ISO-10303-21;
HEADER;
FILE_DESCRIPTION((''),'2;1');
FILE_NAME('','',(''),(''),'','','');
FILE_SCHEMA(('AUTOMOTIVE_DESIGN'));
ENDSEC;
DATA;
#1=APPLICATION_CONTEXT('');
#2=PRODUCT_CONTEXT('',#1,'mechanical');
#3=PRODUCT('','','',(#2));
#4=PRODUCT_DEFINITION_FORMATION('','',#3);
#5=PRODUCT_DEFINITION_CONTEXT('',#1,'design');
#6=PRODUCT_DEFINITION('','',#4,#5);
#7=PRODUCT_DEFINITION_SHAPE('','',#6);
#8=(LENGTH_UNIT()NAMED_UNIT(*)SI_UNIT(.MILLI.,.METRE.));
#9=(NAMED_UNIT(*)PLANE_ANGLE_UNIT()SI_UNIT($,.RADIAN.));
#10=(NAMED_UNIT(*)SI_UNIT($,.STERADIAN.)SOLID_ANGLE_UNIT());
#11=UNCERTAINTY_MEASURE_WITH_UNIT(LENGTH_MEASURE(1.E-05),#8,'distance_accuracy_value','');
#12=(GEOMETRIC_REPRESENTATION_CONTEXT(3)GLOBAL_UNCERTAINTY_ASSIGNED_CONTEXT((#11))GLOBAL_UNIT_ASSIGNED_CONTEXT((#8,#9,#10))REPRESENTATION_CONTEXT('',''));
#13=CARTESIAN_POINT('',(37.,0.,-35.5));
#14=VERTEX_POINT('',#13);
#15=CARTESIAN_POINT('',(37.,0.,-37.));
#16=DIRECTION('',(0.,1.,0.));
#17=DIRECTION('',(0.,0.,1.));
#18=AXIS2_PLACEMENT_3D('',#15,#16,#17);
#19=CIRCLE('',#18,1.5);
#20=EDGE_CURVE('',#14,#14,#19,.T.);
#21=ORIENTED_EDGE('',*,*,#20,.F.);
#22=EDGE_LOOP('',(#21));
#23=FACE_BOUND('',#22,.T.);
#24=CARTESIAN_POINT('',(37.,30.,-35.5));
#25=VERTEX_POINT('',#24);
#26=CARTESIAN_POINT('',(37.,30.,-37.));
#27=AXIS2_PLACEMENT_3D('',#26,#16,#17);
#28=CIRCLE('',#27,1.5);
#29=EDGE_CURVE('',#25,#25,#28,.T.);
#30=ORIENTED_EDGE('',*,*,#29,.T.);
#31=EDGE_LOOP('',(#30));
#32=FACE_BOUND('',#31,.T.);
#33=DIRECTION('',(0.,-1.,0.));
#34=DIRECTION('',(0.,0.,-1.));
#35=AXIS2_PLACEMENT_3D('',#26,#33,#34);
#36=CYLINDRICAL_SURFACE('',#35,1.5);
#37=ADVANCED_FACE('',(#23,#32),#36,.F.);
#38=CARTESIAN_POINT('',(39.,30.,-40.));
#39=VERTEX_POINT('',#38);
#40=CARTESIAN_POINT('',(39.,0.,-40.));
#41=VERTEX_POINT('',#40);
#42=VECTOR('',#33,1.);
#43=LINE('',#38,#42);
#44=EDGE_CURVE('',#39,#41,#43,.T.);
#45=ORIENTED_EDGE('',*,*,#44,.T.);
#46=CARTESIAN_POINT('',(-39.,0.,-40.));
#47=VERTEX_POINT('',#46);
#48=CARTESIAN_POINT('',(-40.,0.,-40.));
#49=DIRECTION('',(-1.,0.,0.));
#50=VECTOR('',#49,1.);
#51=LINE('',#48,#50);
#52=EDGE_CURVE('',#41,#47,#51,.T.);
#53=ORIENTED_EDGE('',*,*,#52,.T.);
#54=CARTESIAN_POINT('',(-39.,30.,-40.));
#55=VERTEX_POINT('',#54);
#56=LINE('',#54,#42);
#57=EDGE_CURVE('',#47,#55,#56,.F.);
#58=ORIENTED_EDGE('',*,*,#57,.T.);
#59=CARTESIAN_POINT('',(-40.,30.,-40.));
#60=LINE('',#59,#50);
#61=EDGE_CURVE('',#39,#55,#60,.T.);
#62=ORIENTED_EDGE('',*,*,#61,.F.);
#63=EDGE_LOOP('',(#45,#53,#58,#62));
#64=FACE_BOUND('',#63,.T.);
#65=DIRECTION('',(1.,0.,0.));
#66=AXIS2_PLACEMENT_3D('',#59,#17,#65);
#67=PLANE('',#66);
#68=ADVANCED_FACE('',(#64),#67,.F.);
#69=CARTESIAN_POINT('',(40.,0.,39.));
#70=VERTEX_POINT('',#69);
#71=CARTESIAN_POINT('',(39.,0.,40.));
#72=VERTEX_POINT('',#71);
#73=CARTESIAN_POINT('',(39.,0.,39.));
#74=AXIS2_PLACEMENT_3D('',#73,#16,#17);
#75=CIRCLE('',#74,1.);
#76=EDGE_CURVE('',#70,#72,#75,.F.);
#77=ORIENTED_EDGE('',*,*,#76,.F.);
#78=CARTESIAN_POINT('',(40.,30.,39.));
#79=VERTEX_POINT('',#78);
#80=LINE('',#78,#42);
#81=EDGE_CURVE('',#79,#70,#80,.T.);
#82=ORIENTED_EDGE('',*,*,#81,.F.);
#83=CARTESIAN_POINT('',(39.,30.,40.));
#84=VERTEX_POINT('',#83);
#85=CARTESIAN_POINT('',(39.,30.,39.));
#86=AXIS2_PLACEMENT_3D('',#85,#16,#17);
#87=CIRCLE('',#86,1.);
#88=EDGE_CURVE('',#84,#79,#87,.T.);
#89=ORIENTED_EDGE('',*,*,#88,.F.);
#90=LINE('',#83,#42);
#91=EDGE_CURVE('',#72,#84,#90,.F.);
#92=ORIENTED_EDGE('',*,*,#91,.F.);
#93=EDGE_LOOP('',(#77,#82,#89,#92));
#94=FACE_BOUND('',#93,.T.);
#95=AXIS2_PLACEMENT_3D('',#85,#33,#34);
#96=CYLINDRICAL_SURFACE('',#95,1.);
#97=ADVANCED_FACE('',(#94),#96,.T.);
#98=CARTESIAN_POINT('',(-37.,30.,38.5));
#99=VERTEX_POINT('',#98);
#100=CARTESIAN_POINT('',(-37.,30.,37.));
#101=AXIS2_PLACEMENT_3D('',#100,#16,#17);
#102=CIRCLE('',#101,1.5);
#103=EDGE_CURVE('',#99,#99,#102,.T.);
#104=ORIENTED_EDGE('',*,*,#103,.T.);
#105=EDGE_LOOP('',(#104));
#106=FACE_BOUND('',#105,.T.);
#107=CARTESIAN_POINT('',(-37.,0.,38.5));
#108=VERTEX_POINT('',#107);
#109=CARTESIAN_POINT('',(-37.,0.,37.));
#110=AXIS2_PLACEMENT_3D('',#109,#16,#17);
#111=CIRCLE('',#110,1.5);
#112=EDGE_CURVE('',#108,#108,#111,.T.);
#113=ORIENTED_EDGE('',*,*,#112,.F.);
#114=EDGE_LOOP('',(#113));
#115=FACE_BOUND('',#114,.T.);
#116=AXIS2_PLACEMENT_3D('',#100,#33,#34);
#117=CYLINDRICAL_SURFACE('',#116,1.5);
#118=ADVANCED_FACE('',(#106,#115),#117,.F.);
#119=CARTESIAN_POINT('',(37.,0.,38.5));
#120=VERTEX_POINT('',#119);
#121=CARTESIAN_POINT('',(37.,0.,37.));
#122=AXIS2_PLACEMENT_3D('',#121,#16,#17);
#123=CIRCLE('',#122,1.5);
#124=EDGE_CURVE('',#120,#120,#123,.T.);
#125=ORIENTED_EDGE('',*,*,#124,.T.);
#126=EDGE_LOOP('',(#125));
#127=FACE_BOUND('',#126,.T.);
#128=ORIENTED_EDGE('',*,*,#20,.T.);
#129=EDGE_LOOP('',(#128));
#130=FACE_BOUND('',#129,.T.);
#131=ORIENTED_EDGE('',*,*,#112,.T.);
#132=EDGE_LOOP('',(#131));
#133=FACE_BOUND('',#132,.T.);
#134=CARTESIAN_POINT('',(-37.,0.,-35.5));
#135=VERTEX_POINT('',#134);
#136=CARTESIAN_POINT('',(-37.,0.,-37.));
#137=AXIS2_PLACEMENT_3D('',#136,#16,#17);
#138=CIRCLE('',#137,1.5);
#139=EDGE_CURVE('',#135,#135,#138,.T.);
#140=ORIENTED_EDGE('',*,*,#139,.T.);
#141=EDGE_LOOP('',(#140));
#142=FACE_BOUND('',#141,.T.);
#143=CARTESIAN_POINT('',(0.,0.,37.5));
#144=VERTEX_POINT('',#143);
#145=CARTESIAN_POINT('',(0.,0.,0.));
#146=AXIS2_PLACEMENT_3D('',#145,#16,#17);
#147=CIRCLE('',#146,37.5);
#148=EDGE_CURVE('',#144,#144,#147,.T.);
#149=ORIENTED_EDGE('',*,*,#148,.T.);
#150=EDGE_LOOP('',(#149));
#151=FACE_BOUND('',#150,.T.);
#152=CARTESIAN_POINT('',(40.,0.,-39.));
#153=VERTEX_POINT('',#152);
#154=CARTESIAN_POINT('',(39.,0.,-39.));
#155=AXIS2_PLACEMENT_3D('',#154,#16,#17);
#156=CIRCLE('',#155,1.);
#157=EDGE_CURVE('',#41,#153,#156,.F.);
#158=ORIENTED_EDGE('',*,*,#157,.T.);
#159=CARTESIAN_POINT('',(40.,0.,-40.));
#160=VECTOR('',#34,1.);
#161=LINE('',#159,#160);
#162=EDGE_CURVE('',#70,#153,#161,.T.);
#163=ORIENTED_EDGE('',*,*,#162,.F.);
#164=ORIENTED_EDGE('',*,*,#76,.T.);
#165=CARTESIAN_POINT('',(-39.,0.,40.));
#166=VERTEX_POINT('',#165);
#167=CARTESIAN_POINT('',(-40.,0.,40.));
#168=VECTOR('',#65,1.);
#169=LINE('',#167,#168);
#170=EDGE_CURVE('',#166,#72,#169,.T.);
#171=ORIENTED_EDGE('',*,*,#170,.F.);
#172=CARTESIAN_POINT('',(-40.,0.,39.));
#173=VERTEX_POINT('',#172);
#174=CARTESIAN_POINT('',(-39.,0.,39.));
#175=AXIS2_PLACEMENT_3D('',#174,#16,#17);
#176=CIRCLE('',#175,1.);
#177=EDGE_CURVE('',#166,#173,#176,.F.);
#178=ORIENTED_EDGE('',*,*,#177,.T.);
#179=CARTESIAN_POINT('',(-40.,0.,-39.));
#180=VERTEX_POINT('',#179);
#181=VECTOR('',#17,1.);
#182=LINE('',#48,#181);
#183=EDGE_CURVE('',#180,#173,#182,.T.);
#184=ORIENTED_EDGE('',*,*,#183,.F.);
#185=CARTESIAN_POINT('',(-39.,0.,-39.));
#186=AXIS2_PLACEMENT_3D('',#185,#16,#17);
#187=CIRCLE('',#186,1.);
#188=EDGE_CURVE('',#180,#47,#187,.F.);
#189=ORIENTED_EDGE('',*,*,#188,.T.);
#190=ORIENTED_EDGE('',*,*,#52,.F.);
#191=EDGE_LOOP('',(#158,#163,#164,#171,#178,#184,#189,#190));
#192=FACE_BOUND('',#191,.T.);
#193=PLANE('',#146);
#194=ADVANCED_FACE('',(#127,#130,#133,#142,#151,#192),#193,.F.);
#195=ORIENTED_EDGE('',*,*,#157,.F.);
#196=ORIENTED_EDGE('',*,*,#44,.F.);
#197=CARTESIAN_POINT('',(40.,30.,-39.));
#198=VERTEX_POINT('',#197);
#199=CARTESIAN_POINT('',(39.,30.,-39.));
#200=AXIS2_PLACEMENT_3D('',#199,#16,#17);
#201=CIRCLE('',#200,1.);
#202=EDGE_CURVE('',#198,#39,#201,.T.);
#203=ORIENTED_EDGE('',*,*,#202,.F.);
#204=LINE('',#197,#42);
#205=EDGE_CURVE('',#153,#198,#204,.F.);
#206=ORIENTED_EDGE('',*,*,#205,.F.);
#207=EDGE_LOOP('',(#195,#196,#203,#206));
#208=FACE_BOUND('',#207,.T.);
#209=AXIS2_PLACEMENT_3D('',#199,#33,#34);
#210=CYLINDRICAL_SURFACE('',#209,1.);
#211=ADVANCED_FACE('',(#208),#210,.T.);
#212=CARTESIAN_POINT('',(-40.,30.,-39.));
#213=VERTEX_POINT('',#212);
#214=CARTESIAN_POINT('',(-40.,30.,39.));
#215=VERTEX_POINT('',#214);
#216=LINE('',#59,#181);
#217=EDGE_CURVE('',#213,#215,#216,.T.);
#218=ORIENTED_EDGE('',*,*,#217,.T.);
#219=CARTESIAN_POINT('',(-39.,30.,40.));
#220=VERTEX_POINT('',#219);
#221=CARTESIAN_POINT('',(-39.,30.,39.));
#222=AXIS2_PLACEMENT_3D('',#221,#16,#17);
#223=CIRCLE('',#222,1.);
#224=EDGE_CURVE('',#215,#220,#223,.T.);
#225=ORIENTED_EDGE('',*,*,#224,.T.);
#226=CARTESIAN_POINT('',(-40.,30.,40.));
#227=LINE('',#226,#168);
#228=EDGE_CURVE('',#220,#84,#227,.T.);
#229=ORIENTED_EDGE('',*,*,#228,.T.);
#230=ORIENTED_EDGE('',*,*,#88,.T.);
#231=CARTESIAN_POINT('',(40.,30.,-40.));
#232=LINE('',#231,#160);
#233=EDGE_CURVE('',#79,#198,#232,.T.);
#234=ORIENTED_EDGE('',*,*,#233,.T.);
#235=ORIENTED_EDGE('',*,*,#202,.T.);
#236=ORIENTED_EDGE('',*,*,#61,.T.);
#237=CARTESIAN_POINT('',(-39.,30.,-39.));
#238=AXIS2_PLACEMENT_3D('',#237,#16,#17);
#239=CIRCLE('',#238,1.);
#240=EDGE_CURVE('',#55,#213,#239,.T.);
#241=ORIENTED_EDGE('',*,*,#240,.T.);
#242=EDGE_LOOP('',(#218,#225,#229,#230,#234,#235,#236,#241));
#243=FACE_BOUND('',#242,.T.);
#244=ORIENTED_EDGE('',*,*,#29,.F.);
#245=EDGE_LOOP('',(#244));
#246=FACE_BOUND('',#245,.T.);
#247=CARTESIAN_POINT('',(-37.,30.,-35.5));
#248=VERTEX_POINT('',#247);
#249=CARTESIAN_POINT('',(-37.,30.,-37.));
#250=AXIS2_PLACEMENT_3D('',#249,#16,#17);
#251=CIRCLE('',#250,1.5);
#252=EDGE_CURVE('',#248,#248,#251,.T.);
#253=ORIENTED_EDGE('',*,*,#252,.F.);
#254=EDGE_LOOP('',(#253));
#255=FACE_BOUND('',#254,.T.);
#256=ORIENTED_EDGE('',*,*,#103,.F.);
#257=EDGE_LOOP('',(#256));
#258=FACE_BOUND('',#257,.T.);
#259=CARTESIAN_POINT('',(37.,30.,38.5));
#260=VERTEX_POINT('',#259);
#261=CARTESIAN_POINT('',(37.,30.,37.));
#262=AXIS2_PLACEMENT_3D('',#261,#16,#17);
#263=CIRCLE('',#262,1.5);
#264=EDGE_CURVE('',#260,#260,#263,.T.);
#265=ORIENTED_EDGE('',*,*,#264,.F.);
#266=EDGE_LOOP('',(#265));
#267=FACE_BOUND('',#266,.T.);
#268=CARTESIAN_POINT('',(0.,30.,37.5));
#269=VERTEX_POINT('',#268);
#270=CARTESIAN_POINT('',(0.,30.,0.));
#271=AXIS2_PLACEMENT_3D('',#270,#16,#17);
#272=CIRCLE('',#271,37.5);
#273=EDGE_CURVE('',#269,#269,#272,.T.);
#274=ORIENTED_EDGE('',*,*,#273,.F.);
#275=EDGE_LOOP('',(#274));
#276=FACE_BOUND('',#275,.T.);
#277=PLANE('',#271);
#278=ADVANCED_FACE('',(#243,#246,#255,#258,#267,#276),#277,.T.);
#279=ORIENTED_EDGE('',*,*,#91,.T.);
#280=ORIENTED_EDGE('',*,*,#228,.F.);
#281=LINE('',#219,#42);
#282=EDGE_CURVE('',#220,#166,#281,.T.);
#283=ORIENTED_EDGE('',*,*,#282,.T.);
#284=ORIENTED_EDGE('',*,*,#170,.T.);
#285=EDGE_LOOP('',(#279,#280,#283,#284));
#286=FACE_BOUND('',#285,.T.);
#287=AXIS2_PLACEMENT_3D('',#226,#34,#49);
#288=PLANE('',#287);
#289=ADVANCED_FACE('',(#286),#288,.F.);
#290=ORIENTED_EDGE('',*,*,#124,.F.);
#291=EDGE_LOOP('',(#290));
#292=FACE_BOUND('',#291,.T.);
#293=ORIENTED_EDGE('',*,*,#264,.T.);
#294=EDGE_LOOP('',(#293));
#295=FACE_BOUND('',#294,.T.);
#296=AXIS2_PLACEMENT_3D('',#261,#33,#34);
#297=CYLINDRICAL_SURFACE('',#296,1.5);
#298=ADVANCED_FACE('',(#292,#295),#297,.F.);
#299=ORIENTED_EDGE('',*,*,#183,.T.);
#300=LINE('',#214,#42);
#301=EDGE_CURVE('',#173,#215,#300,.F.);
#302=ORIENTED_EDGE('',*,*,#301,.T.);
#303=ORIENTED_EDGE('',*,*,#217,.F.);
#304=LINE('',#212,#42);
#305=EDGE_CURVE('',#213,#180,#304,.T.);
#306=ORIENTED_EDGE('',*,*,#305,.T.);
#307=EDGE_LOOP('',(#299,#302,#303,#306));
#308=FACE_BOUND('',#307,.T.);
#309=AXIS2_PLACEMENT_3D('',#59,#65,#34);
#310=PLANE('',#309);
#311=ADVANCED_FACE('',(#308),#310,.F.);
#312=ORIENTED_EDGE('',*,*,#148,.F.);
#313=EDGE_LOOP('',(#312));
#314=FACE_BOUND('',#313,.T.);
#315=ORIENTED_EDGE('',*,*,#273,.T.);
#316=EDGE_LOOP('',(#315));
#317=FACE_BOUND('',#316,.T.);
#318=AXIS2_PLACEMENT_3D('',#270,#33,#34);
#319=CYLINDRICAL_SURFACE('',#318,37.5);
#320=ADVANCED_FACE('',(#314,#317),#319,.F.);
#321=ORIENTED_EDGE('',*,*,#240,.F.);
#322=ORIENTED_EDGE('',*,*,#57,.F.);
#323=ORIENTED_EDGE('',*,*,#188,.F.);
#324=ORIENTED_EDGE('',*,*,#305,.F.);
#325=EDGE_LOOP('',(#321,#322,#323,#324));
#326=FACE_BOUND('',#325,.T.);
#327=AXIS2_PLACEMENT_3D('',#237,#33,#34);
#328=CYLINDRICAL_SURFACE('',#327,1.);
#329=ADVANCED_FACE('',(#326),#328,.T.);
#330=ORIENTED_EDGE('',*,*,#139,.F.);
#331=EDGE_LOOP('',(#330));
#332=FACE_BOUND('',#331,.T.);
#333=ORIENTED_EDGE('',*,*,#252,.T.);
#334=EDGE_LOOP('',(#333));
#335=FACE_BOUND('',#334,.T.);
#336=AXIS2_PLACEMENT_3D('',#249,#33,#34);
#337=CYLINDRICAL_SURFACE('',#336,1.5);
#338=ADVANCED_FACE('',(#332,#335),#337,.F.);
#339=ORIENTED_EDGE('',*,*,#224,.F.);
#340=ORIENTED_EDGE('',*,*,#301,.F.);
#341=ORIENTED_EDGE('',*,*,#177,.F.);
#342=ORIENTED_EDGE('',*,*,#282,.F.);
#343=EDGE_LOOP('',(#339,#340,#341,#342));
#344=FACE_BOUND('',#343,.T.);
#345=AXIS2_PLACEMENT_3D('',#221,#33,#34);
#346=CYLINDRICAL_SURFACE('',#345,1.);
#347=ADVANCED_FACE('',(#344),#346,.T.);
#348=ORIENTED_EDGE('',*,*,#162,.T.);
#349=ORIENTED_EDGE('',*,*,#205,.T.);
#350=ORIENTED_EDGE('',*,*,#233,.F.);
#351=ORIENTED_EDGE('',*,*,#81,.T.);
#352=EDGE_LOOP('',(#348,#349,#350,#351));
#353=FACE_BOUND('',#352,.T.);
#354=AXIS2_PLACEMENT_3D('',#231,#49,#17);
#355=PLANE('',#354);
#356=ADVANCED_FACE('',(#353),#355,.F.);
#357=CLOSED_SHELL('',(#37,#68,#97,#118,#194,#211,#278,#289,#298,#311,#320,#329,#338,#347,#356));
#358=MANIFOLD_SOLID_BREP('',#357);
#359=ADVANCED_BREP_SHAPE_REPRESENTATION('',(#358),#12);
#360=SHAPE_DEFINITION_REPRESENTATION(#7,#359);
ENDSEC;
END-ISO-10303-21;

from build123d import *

# Parameters (mm, degrees)
SKETCH1_W           = 80
SKETCH1_H           = 80
SKETCH1_R           = 37.5
SKETCH1_R_2         = 1.5
BOSS_EXTRUDE1_DEPTH = 30
FILLET1_R           = 1


with BuildPart() as part:
    # Sketch1 → Boss-Extrude1 (new body)
    with BuildSketch(Plane(origin=(0, 0, 0), x_dir=(1, 0, 0), z_dir=(0, 1, 0))):
        Rectangle(SKETCH1_W, SKETCH1_H)
        with Locations(Location((0, 0, 0), (0, 0, 270))):
            Circle(SKETCH1_R, mode=Mode.SUBTRACT)
        with Locations(Location((-37, 37, 0), (0, 0, 270))):
            Circle(SKETCH1_R_2, mode=Mode.SUBTRACT)
        with Locations(Location((37, 37, 0), (0, 0, 270))):
            Circle(SKETCH1_R_2, mode=Mode.SUBTRACT)
        with Locations(Location((37, -37, 0), (0, 0, 270))):
            Circle(SKETCH1_R_2, mode=Mode.SUBTRACT)
        with Locations(Location((-37, -37, 0), (0, 0, 270))):
            Circle(SKETCH1_R_2, mode=Mode.SUBTRACT)
    extrude(amount=BOSS_EXTRUDE1_DEPTH)

    # Fillet1
    fillet1_edges = [part.edges().sort_by_distance(p)[0] for p in [
        (40, 15, 40),
        (-40, 15, 40),
        (-40, 15, -40),
        (40, 15, -40),
    ]]
    fillet(fillet1_edges, radius=FILLET1_R)


solid = part.part
